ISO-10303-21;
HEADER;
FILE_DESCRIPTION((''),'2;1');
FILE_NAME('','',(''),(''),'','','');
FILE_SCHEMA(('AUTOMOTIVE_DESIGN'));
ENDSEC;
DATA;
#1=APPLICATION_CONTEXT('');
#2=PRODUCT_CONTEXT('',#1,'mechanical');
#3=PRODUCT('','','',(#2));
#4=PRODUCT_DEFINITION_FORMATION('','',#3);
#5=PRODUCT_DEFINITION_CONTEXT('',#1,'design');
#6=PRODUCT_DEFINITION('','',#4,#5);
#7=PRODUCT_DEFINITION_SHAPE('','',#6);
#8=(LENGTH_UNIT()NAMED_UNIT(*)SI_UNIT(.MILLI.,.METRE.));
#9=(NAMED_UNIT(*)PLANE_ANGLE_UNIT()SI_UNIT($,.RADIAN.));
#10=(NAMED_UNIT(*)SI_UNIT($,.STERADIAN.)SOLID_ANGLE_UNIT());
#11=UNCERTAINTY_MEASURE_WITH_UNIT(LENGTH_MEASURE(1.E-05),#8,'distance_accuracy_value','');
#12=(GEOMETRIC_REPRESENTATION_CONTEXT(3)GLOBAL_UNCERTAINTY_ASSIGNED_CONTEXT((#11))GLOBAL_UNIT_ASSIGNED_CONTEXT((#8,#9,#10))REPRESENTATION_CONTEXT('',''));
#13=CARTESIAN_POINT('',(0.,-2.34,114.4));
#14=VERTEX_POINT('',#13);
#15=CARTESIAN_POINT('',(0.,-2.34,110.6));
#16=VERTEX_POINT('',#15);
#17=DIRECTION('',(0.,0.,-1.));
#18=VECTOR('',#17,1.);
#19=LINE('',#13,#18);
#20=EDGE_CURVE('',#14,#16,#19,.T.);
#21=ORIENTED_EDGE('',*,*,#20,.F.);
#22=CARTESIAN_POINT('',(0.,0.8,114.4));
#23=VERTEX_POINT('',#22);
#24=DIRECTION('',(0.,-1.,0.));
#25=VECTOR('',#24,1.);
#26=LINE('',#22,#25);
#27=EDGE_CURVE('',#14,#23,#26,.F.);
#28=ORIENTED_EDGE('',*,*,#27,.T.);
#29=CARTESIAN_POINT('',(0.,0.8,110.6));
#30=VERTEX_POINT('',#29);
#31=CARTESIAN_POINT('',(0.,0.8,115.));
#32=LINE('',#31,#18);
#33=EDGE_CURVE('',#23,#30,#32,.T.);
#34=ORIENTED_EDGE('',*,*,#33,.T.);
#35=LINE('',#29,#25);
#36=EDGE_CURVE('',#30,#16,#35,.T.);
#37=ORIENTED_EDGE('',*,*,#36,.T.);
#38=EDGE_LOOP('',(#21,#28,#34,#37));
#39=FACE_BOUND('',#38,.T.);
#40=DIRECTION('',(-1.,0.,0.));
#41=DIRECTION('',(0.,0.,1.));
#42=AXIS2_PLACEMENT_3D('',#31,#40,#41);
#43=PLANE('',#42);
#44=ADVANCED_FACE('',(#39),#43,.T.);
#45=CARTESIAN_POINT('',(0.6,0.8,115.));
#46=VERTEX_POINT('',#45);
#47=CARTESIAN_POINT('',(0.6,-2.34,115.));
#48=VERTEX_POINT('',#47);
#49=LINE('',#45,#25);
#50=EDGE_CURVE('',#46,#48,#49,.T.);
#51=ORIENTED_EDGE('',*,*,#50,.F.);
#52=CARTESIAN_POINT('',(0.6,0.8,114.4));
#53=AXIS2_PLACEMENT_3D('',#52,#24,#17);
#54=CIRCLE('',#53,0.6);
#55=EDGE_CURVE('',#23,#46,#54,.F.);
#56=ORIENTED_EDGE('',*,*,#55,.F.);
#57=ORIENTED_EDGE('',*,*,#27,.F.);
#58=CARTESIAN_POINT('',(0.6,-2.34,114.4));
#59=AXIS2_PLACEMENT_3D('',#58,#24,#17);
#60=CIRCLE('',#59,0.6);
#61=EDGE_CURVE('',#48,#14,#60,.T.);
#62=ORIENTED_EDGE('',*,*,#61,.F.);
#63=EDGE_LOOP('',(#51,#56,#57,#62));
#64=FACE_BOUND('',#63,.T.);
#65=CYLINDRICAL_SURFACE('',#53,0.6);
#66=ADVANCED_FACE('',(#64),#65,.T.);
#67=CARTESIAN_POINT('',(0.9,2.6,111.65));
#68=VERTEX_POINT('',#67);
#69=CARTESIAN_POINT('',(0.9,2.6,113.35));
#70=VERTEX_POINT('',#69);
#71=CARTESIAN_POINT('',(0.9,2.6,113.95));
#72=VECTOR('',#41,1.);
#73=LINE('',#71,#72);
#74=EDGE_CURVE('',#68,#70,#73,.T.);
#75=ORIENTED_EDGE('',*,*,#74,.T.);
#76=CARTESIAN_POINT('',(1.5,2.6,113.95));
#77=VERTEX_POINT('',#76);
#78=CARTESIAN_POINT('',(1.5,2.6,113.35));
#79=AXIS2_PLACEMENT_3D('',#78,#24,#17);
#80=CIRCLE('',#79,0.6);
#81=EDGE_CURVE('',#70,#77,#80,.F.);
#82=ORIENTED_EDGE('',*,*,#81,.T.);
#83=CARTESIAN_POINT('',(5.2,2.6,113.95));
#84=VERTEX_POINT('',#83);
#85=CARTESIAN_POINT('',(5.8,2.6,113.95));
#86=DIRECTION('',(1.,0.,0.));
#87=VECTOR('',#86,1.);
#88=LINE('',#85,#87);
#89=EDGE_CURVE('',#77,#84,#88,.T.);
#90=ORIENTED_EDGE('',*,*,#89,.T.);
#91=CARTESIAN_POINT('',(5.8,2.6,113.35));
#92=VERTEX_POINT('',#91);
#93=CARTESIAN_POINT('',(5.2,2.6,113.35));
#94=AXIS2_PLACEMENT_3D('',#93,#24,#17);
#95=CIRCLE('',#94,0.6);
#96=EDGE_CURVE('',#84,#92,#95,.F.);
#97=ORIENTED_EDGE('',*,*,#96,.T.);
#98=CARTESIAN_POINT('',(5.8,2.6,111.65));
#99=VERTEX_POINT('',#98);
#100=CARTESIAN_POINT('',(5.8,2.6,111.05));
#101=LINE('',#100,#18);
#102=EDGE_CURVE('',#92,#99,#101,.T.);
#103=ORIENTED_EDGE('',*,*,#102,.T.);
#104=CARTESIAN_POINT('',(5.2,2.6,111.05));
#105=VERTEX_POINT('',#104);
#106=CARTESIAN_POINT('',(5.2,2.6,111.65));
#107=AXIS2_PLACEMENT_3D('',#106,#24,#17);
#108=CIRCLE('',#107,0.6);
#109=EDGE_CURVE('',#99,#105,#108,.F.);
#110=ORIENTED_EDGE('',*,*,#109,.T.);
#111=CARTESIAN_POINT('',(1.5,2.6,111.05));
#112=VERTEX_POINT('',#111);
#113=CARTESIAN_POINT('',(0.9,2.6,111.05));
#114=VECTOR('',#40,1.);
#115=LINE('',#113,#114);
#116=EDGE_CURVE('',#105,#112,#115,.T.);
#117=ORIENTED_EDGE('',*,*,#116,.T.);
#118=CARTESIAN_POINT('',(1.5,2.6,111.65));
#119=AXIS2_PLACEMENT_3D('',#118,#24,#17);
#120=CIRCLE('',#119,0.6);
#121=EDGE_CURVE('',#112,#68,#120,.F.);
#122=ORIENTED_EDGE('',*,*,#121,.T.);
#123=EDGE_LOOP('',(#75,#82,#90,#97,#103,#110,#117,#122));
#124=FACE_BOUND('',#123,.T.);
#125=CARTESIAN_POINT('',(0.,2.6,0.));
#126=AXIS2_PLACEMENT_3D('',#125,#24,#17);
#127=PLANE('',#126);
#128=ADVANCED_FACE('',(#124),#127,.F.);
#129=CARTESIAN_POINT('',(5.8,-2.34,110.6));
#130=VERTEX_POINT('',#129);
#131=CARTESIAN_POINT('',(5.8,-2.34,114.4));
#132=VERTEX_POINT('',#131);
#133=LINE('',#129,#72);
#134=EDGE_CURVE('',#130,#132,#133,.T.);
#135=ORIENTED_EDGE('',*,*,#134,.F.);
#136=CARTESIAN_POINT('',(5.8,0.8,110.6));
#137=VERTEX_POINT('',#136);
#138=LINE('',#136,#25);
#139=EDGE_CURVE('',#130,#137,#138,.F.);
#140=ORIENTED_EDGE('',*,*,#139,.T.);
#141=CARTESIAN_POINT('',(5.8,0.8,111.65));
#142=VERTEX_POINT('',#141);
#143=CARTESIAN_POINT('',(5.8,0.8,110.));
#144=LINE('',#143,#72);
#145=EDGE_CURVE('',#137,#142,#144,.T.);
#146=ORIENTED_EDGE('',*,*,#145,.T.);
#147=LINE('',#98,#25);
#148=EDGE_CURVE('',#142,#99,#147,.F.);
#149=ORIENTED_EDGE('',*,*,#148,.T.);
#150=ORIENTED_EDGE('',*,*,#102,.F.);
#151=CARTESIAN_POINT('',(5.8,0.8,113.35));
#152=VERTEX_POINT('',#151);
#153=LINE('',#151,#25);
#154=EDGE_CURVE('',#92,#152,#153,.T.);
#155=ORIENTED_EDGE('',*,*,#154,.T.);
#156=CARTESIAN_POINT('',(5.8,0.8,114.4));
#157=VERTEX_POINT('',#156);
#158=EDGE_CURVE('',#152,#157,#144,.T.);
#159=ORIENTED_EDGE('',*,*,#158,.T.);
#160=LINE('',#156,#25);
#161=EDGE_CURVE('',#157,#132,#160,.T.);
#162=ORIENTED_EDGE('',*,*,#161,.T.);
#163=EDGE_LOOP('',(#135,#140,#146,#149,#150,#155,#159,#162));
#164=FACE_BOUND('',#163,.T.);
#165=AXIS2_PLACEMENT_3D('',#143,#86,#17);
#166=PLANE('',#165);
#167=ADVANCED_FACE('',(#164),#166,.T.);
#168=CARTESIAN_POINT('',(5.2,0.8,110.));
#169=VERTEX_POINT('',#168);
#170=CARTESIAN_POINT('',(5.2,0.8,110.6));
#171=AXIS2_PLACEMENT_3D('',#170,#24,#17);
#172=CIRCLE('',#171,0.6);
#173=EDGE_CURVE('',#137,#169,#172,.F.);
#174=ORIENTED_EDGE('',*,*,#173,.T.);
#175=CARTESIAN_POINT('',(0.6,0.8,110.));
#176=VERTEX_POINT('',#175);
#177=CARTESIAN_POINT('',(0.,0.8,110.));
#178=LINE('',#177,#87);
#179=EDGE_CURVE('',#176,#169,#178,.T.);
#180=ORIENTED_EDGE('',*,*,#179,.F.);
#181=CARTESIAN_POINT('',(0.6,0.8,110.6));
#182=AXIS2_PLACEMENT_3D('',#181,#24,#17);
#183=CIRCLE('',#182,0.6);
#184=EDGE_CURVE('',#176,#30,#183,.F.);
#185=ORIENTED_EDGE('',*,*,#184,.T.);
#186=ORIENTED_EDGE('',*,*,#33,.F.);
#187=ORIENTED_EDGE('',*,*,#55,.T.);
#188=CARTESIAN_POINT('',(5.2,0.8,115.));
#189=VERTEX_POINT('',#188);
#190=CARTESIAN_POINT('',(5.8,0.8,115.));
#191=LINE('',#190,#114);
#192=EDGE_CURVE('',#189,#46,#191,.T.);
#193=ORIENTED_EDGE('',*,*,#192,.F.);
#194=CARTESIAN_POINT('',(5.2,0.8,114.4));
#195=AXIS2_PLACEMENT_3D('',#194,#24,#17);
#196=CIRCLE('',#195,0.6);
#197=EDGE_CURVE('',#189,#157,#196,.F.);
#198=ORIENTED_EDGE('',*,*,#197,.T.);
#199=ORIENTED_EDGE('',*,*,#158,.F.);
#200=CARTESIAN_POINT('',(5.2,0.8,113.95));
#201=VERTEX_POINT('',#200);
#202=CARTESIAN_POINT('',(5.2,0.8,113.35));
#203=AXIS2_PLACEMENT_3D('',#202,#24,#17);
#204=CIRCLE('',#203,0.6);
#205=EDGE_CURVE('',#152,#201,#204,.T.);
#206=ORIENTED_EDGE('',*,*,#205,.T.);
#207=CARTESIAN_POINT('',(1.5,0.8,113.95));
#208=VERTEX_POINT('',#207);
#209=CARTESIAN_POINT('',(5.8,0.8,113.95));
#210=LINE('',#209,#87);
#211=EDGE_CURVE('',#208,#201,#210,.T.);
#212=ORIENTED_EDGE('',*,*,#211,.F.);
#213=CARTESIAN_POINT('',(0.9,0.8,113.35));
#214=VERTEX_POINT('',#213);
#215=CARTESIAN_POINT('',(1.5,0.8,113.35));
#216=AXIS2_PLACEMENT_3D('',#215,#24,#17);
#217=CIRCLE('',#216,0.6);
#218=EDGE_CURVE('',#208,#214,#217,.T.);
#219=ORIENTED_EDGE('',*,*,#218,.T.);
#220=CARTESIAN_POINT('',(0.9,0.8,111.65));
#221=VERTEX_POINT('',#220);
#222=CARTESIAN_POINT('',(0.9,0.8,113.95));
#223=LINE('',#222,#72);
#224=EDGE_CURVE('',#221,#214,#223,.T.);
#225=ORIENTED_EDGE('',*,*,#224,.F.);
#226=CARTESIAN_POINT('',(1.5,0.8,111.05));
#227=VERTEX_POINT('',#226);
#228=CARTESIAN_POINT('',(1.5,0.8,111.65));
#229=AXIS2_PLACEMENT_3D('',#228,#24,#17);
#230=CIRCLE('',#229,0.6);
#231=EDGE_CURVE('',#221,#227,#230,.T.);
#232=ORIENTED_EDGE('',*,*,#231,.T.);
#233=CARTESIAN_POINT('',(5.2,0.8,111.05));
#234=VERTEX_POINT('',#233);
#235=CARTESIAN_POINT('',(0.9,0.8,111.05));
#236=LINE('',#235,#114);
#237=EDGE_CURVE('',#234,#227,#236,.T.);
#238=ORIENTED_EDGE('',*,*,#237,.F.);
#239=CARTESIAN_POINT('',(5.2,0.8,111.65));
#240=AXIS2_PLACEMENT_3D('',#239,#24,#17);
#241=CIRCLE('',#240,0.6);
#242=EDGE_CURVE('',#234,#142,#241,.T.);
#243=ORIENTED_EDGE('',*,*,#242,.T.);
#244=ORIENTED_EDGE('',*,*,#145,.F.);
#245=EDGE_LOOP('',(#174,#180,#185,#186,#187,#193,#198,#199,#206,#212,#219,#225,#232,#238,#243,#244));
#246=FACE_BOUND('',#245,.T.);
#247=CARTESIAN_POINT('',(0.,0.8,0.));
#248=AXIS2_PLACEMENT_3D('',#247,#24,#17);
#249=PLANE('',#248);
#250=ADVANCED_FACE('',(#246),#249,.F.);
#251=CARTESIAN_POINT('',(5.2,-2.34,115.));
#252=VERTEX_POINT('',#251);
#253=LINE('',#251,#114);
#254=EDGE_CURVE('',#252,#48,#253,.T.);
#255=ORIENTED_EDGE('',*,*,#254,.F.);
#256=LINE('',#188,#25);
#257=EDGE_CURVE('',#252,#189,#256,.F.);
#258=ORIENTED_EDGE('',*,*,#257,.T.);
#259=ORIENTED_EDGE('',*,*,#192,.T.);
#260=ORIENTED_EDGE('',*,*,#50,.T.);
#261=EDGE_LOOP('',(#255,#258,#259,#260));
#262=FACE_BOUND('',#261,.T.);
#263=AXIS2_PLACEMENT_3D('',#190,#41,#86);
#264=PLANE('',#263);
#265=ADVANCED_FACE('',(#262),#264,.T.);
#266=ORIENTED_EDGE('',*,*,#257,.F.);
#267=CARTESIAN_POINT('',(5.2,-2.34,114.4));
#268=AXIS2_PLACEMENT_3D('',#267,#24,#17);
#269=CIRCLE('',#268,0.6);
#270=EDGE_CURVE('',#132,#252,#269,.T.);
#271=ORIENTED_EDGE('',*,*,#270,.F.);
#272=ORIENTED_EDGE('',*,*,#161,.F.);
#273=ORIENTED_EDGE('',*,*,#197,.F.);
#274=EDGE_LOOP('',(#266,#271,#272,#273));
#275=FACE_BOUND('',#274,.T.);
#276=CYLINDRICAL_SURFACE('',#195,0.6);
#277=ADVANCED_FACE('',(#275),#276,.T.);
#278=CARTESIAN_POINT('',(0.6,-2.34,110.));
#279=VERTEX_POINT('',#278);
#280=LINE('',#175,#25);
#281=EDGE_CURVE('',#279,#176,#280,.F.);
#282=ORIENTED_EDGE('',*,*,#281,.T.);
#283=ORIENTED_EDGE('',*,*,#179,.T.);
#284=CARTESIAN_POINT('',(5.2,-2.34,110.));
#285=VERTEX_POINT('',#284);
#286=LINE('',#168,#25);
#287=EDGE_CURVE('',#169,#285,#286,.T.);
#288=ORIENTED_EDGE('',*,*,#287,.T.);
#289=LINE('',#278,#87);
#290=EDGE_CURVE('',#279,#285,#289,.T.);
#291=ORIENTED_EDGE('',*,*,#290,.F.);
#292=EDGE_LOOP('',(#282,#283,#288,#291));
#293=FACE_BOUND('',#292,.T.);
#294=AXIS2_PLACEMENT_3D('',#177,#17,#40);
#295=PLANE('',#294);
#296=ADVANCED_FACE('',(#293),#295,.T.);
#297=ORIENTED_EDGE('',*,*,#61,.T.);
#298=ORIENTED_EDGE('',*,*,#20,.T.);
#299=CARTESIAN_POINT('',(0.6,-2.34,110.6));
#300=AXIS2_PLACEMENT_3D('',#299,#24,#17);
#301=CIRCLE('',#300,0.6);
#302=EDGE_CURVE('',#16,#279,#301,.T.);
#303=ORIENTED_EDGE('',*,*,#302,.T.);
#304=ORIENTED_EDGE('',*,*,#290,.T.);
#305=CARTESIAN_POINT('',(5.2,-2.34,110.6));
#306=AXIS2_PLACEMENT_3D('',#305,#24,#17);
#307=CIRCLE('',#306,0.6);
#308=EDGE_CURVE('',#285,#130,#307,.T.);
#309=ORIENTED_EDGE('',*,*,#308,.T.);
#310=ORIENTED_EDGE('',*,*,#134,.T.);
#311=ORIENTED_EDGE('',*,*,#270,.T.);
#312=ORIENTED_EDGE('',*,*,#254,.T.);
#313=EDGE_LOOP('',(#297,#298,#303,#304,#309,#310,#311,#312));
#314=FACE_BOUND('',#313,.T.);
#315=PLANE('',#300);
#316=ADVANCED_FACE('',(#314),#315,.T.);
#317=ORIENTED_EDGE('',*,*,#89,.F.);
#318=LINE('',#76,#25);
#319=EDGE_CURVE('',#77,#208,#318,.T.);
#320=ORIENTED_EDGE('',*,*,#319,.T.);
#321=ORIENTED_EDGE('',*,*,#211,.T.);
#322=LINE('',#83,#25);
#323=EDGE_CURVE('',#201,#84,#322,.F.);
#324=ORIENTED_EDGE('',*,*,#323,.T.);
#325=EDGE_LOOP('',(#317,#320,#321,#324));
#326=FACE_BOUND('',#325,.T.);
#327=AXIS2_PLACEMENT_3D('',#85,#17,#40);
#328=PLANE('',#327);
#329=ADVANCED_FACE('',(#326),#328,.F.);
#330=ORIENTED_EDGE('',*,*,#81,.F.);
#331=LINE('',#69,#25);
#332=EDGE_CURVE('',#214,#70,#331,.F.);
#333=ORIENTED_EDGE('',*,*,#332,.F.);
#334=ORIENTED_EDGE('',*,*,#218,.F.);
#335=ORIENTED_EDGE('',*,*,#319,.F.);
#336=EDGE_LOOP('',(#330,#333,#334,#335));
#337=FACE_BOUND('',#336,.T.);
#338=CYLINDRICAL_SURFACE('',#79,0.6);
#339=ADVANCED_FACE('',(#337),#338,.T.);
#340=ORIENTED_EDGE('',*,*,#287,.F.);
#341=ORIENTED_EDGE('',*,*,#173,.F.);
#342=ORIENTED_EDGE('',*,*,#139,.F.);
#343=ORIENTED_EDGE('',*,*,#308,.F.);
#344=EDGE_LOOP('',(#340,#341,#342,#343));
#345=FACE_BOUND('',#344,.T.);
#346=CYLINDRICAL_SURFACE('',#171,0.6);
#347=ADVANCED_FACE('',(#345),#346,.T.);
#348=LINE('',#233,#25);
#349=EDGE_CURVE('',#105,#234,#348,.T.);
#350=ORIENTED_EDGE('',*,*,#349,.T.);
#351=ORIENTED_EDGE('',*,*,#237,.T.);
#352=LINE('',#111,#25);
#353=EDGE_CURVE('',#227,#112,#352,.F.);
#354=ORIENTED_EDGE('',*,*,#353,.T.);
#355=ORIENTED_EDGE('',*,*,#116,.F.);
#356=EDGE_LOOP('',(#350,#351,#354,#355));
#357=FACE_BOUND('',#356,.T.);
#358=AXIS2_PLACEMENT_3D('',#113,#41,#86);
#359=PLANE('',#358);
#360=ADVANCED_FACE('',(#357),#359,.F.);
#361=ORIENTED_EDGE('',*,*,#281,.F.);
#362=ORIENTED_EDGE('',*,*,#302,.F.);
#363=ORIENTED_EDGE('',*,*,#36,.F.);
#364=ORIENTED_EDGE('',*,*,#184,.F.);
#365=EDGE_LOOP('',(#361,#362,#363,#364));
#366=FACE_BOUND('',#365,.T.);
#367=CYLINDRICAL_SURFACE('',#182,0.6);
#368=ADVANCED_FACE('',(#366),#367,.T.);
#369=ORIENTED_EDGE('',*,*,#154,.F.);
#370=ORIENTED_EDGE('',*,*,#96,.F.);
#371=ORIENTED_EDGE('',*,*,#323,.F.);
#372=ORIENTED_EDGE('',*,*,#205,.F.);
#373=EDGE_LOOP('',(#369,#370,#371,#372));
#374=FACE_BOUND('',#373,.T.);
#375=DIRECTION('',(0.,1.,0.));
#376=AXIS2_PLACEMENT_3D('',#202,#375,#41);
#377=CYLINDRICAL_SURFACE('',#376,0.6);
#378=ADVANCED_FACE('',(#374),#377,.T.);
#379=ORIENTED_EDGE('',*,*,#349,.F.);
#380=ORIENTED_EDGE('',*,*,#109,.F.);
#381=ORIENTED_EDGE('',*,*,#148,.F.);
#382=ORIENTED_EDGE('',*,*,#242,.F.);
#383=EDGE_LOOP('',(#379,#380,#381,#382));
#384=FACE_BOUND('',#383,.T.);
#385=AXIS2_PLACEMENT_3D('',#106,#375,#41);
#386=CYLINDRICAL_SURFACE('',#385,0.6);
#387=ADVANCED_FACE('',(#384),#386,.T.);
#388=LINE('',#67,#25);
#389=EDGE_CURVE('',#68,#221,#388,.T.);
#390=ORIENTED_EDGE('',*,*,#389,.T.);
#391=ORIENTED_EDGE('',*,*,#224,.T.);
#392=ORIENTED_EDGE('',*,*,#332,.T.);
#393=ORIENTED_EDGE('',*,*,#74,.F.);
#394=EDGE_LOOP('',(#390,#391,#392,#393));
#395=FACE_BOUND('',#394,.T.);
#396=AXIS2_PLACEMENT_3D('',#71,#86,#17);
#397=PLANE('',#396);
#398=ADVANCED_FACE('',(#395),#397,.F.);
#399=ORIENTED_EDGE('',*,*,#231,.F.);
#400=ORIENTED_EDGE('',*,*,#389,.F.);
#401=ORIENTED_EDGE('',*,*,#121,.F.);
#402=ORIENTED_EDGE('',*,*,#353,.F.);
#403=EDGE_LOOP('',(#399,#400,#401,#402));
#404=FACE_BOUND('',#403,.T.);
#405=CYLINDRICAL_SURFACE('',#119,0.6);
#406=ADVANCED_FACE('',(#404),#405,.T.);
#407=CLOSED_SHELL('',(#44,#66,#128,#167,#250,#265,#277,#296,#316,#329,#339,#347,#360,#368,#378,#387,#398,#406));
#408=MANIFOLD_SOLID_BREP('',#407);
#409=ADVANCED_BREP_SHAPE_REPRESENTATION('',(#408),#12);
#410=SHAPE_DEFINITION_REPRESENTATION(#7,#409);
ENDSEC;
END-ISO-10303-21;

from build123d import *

# Parameters (mm, degrees)
SKETCH1_W           = 5.8
SKETCH1_H           = 5
BOSS_EXTRUDE1_DEPTH = 0.8
SKETCH2_W           = 4.9
SKETCH2_H           = 2.9
BOSS_EXTRUDE2_DEPTH = 1.8
FILLET1_R           = 0.6
BOSS_EXTRUDE3_DEPTH = 2.34


with BuildPart() as part:
    # Sketch1 → Boss-Extrude1 (new body)
    with BuildSketch(Plane.XZ):
        with Locations((2.9, 112.5)):
            Rectangle(SKETCH1_W, SKETCH1_H)
    extrude(amount=-BOSS_EXTRUDE1_DEPTH)

    # Sketch2 → Boss-Extrude2 (add)
    with BuildSketch(Plane(origin=(0, 0.8, 0), x_dir=(-1, 0, 0), z_dir=(0, 1, 0))):
        with Locations((-3.35, 112.5)):
            Rectangle(SKETCH2_W, SKETCH2_H)
    extrude(amount=BOSS_EXTRUDE2_DEPTH)

    # Fillet1
    fillet1_edges = [part.edges().sort_by_distance(p)[0] for p in [
        (5.8, 1.7, 113.95),
        (5.8, 1.7, 111.05),
        (0.9, 1.7, 111.05),
        (0.9, 1.7, 113.95),
        (0, 0.4, 115),
        (5.8, 0.4, 115),
        (5.8, 0.4, 110),
        (0, 0.4, 110),
    ]]
    fillet(fillet1_edges, radius=FILLET1_R)

    # Sketch3 → Boss-Extrude3 (add)
    with BuildSketch(Plane.XZ):
        with BuildLine():
            Line((0.6, 110), (5.2, 110))
            ThreePointArc((5.2, 110), (5.624264069, 110.175735931), (5.8, 110.6))
            Line((5.8, 110.6), (5.8, 114.4))
            ThreePointArc((5.8, 114.4), (5.624264069, 114.824264069), (5.2, 115))
            Line((5.2, 115), (0.6, 115))
            ThreePointArc((0.6, 115), (0.175735931, 114.824264069), (0, 114.4))
            Line((0, 114.4), (0, 110.6))
            ThreePointArc((0, 110.6), (0.175735931, 110.175735931), (0.6, 110))
        make_face()
    extrude(amount=BOSS_EXTRUDE3_DEPTH)


solid = part.part
